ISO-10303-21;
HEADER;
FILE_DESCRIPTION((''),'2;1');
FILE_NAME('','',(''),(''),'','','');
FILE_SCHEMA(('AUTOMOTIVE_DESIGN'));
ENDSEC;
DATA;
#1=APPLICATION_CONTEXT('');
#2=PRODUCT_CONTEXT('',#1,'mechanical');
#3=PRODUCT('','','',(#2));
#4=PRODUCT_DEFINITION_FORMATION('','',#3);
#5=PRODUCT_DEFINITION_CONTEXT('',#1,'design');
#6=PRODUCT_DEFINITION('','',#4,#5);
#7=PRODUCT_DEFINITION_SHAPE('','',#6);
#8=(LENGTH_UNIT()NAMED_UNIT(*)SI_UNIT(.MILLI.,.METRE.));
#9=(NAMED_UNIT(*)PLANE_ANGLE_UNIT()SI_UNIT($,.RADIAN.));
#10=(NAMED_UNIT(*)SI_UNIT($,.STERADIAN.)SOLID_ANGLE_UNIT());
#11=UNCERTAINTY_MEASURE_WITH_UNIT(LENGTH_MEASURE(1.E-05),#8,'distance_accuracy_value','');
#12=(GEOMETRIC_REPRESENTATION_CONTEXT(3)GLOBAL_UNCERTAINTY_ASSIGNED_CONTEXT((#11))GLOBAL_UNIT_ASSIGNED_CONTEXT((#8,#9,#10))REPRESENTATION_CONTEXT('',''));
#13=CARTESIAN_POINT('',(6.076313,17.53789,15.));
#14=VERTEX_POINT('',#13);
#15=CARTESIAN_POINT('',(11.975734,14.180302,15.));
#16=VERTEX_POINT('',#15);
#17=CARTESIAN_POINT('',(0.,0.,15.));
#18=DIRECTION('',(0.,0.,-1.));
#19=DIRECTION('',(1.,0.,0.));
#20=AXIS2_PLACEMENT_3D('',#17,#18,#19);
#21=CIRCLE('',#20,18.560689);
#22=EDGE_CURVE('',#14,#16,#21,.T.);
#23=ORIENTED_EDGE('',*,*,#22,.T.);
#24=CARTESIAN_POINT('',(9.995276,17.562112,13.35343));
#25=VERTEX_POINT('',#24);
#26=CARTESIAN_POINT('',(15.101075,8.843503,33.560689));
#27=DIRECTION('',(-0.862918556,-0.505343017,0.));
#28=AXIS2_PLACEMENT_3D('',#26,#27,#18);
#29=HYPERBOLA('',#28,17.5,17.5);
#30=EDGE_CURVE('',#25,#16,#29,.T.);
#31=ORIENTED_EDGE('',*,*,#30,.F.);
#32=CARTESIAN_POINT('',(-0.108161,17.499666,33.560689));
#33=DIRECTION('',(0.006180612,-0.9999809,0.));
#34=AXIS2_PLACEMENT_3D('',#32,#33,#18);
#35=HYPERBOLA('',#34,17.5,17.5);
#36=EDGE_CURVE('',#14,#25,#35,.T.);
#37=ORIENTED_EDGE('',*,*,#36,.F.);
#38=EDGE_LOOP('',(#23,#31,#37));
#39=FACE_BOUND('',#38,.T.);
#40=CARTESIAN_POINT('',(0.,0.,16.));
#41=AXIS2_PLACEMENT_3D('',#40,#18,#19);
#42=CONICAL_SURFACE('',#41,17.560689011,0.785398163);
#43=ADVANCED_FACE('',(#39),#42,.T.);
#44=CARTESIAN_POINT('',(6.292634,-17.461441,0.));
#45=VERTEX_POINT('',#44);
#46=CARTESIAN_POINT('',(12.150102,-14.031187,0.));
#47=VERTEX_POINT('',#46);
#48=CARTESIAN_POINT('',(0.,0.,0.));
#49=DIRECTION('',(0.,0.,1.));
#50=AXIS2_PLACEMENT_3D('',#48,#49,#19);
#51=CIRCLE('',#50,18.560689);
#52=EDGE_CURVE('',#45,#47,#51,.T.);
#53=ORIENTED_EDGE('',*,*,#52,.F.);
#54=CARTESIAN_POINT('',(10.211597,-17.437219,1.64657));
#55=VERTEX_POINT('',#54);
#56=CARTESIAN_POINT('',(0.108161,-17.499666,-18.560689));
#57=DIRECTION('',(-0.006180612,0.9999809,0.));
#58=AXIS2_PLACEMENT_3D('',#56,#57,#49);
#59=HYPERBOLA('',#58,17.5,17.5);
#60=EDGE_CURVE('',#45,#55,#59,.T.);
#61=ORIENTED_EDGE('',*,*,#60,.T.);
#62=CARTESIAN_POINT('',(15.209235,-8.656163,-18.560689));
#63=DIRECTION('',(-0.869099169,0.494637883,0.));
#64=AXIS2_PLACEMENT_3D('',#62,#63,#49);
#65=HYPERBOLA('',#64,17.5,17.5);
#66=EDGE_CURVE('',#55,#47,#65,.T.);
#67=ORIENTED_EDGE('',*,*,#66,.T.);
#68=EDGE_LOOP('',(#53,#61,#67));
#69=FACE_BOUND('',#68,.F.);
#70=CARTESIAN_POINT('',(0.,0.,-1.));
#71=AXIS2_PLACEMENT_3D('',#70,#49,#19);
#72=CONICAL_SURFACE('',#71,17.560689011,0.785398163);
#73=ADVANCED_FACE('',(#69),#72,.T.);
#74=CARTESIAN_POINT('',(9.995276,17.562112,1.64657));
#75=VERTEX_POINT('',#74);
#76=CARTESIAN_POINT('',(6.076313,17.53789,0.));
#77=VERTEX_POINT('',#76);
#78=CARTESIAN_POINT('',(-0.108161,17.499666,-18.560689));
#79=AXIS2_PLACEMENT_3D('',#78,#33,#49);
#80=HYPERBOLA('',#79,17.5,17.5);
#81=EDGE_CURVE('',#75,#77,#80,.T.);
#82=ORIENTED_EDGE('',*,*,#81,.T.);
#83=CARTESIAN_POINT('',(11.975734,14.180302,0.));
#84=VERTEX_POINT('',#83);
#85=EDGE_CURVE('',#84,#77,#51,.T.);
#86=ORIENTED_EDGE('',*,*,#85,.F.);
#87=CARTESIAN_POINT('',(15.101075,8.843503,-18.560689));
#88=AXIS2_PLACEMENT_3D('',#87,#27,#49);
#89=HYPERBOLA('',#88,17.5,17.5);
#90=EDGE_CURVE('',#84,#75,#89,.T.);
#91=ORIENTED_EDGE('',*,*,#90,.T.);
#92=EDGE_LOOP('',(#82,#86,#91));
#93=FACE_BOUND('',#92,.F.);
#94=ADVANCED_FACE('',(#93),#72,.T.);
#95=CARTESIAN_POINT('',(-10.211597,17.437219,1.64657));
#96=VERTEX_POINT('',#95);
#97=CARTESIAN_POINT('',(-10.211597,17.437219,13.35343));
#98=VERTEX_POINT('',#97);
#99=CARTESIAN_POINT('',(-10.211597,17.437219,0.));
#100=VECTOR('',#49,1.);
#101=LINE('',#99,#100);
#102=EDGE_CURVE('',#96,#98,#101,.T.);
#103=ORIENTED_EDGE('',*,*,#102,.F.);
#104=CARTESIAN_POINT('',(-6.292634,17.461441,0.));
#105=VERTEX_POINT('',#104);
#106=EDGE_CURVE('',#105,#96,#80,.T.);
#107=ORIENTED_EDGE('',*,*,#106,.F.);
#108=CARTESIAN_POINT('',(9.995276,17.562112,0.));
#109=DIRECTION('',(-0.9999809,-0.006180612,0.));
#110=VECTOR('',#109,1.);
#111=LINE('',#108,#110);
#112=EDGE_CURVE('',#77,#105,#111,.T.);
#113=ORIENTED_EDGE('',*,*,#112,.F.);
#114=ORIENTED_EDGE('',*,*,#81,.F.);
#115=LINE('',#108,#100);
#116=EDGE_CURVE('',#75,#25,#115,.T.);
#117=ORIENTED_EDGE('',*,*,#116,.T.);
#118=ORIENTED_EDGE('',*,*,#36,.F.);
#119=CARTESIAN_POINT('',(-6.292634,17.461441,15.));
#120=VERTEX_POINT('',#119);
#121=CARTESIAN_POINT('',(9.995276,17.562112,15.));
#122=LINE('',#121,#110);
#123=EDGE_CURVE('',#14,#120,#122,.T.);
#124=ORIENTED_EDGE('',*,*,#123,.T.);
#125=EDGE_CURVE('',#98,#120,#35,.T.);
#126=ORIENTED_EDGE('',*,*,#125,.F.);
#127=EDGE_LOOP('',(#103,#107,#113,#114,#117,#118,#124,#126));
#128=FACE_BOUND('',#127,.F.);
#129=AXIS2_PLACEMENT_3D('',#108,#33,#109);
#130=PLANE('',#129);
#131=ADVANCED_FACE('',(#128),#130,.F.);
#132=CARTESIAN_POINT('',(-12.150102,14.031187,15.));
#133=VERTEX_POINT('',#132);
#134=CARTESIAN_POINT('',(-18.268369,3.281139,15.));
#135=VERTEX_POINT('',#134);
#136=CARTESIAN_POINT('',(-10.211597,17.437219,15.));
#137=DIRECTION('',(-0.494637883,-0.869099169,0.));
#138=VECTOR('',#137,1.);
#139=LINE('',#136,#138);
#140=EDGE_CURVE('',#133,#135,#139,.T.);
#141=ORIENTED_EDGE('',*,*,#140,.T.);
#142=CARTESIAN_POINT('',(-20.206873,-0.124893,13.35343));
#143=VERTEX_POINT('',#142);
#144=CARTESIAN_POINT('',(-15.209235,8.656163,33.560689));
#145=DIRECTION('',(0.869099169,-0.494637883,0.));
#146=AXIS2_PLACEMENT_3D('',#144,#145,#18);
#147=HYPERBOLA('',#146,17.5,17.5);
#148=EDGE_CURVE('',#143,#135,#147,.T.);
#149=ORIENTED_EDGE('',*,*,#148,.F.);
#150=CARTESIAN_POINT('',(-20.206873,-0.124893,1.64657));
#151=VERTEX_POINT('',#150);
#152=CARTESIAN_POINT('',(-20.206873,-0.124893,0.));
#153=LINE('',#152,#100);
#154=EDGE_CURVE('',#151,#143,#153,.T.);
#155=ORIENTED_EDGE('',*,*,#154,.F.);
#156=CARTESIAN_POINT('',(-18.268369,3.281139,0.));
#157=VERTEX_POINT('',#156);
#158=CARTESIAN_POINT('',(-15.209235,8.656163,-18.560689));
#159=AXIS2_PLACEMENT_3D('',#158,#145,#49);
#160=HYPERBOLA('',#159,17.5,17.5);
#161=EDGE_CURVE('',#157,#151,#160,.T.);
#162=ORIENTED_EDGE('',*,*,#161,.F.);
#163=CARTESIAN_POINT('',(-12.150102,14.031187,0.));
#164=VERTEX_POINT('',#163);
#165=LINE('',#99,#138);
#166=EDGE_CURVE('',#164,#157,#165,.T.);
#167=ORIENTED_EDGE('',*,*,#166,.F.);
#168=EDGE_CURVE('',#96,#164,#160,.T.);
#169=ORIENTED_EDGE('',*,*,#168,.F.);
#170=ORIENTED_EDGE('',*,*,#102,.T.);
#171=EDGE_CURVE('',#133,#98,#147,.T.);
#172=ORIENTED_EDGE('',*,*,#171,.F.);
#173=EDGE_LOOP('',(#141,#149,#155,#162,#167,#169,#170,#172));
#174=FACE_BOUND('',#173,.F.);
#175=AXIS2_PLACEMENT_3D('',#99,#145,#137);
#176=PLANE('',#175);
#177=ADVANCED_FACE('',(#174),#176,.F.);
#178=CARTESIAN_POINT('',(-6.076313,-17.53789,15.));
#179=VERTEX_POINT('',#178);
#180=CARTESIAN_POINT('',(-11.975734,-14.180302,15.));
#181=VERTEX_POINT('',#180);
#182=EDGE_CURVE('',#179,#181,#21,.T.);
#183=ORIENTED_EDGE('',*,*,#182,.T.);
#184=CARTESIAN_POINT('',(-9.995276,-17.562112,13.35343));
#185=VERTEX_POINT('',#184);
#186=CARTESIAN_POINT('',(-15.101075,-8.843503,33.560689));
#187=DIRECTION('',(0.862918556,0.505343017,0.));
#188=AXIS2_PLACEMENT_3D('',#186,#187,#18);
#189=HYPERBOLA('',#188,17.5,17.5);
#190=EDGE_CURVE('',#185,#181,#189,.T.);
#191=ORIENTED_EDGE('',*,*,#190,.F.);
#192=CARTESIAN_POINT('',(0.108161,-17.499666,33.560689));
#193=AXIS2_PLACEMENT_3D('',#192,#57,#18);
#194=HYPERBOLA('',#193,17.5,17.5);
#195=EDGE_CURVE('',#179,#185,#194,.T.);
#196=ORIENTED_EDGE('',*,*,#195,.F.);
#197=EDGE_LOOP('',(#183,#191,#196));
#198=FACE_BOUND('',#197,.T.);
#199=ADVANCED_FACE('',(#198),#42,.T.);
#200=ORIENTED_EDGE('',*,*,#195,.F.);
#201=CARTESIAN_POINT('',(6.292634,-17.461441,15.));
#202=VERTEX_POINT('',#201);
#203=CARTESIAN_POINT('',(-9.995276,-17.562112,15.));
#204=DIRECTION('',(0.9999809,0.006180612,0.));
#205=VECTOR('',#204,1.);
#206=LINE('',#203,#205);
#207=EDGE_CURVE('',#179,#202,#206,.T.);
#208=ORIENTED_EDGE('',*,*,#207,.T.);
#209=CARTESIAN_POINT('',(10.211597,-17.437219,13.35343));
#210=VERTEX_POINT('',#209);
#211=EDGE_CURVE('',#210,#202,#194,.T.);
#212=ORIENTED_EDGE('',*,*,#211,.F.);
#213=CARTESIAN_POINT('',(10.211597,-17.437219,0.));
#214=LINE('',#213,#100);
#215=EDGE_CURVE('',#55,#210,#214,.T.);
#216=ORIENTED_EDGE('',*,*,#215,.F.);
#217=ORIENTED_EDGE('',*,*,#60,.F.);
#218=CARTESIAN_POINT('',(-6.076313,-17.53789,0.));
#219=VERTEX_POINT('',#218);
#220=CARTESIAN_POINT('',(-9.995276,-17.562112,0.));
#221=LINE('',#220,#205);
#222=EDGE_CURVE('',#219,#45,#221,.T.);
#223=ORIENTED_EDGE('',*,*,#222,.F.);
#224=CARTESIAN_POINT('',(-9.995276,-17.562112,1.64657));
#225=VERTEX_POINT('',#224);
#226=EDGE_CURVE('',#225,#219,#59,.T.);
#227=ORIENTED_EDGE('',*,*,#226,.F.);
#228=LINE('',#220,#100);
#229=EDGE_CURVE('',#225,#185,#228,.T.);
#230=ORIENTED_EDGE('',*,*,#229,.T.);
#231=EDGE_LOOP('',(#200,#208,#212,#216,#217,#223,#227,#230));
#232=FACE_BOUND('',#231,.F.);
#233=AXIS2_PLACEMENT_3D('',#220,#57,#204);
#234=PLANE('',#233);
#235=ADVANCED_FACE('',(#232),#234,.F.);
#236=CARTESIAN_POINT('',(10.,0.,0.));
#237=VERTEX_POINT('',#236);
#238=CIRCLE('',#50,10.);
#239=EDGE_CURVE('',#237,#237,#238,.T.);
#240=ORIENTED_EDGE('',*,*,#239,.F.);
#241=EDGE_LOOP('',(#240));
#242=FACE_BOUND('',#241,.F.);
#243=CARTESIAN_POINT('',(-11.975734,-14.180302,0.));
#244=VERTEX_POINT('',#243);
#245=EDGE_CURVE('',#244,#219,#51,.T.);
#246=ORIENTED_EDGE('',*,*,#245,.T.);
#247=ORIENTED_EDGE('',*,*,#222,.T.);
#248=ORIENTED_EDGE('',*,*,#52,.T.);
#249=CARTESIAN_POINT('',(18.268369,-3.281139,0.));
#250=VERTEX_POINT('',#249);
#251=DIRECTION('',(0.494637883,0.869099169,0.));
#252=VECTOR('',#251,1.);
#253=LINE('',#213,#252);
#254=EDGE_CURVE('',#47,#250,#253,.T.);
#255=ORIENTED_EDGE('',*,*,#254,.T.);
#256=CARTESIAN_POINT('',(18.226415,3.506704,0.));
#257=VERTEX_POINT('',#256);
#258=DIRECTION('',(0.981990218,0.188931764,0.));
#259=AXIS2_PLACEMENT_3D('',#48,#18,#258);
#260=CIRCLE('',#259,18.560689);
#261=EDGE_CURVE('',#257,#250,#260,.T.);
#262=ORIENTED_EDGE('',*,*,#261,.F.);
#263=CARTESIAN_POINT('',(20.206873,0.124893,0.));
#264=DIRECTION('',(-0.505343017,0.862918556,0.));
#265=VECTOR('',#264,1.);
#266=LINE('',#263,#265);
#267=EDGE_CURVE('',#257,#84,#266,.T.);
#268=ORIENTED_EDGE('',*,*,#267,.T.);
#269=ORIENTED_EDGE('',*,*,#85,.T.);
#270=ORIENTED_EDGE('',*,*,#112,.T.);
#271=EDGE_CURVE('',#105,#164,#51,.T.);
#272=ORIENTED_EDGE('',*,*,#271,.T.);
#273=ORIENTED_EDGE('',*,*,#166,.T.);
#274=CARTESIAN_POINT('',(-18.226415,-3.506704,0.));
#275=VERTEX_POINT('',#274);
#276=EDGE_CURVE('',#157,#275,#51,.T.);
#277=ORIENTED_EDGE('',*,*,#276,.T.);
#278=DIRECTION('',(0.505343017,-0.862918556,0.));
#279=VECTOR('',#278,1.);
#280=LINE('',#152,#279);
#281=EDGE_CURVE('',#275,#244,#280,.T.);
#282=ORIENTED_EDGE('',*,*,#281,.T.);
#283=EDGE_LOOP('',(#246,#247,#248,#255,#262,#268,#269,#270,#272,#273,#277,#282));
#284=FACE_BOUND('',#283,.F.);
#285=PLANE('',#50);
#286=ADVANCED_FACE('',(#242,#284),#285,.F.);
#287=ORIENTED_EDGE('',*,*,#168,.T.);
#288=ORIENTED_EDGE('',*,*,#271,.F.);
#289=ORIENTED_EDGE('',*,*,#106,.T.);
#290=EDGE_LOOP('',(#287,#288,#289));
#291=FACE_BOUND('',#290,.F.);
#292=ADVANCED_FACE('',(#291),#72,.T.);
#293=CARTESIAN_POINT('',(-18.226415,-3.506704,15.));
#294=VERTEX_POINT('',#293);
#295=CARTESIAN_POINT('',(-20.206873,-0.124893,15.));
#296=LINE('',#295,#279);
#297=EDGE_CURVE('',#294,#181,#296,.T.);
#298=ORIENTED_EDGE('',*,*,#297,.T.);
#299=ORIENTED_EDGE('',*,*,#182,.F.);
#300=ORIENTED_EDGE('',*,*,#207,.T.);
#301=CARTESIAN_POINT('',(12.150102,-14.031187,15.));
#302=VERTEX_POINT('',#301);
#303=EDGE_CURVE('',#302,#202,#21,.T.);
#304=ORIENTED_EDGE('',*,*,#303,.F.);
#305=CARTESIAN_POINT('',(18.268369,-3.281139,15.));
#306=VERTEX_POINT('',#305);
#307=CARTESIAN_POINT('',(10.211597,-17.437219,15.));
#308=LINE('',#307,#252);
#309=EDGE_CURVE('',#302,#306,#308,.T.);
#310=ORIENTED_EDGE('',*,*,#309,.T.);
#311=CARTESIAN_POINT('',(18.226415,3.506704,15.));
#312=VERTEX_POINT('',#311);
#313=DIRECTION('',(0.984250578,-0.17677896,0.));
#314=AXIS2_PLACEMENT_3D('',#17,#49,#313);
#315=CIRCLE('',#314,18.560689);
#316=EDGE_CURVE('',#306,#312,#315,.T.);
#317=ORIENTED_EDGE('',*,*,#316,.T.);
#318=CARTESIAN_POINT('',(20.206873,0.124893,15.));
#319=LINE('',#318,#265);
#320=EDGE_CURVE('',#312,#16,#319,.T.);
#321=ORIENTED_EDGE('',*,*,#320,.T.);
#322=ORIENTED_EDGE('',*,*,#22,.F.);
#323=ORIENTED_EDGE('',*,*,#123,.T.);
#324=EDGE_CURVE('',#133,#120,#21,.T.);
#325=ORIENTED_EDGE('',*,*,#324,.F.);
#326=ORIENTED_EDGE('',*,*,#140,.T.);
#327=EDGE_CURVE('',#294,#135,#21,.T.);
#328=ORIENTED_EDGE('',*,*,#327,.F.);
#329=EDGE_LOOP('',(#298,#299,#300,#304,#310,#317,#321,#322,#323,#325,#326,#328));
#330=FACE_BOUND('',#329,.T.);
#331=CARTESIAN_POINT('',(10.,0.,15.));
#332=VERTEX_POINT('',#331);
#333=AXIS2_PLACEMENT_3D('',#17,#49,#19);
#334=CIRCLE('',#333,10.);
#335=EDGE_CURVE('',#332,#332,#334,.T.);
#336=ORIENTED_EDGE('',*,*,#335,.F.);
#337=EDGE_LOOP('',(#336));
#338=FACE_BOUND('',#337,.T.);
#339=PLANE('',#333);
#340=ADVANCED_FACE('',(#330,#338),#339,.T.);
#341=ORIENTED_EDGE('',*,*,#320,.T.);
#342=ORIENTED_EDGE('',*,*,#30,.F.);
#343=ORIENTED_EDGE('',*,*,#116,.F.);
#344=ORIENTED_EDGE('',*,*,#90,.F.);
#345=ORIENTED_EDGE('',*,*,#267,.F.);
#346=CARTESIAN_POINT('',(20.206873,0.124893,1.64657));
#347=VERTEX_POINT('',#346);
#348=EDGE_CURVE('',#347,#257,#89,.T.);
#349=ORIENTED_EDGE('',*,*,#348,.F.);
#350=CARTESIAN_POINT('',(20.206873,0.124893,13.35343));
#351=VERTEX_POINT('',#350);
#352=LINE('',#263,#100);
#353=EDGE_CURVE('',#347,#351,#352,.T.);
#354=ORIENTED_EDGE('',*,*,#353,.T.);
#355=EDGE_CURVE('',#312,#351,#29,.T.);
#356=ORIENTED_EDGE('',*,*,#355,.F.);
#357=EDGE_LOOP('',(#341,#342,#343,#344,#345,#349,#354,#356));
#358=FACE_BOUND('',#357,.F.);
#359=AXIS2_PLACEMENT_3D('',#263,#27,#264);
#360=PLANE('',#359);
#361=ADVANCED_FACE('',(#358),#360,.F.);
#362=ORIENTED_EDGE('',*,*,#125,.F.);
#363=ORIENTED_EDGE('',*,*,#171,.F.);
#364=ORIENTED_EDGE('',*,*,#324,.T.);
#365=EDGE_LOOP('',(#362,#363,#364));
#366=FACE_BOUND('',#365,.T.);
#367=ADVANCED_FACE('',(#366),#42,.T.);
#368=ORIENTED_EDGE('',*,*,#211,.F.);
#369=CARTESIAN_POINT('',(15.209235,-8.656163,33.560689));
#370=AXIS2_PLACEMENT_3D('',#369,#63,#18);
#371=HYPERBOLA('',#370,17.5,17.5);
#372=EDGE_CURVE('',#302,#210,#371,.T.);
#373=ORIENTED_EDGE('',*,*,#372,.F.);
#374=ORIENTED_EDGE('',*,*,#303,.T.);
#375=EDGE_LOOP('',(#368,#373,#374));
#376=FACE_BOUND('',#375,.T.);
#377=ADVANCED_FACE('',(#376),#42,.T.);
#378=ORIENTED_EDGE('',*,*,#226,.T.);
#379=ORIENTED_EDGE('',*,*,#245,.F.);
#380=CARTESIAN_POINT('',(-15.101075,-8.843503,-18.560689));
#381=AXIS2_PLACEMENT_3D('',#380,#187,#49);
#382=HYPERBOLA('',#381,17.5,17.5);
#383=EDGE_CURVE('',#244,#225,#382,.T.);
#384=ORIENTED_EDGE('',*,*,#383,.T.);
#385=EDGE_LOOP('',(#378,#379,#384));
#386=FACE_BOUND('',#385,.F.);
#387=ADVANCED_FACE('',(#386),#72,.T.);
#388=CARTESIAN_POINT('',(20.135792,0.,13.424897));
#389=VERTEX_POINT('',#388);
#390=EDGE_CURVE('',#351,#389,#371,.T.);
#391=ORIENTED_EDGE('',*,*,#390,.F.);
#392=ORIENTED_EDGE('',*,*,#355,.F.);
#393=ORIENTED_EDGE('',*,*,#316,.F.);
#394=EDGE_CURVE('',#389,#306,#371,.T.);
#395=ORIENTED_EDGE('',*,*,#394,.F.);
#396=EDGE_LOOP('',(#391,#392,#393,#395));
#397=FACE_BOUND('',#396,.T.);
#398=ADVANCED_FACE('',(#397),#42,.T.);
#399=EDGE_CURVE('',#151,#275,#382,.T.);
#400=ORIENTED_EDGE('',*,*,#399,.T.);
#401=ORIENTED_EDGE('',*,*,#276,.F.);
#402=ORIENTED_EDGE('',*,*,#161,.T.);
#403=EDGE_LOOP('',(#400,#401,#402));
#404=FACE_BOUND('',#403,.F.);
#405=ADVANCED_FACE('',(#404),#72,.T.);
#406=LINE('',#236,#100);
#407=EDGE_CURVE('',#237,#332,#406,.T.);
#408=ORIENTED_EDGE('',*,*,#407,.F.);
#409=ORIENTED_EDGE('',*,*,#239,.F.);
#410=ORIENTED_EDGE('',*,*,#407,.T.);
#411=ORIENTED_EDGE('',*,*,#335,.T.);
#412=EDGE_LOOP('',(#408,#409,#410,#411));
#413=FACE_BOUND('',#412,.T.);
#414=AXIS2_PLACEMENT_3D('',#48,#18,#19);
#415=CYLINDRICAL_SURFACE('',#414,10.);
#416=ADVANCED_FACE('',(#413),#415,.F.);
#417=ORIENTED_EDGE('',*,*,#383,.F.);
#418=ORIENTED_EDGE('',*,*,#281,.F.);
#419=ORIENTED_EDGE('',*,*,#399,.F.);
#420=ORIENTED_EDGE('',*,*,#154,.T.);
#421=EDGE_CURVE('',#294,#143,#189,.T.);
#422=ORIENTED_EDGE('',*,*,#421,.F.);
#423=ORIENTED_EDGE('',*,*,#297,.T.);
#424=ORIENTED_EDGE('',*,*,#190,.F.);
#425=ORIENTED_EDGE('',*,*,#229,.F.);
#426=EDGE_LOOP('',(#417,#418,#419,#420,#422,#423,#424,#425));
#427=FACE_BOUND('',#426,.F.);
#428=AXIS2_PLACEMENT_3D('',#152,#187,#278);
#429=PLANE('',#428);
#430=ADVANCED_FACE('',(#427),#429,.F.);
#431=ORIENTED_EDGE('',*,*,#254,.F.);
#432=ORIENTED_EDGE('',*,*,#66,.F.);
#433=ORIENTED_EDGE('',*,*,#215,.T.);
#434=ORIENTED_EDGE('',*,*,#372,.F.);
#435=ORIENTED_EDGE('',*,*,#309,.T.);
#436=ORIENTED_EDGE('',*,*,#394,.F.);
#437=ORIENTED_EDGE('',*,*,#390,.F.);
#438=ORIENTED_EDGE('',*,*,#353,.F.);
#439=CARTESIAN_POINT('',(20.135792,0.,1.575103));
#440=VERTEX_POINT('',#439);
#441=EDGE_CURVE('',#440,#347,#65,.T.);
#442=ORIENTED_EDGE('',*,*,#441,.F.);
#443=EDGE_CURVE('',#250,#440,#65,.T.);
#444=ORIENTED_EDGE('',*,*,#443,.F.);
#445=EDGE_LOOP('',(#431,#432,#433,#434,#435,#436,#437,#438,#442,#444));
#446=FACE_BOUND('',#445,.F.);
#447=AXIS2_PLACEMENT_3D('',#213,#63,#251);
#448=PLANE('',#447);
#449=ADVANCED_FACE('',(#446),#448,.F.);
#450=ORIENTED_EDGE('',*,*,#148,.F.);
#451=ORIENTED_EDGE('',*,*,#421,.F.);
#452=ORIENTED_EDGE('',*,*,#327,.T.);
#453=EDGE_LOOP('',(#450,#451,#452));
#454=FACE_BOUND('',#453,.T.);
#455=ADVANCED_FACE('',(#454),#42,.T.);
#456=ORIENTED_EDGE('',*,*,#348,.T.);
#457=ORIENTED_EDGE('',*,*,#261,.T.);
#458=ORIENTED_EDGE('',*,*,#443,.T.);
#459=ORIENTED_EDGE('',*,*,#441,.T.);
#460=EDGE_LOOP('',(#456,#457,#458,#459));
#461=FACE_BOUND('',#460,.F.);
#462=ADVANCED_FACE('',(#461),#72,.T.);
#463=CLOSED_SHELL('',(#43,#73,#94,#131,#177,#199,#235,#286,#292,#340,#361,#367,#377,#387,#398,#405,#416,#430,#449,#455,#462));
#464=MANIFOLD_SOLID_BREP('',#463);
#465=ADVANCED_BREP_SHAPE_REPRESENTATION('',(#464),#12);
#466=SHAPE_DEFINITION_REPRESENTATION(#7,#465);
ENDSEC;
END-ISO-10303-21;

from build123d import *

# Parameters (mm, degrees)
SKETCH1_R           = 10
BOSS_EXTRUDE1_DEPTH = 15


with BuildPart() as part:
    # Sketch1 → Boss-Extrude1 (new body)
    with BuildSketch(Plane.XY):
        Polygon((9.995276011, 17.562112367), (-10.211597448, 17.437219127), (-20.20687346, -0.12489324), (-9.995276011, -17.562112367), (10.211597448, -17.437219127), (20.20687346, 0.12489324), align=None)
        Circle(SKETCH1_R, mode=Mode.SUBTRACT)
    extrude(amount=BOSS_EXTRUDE1_DEPTH)

    # Sketch2 → Cut-Revolve1 (revolve, cut)
    with BuildSketch(Plane(origin=(0, 0, 0), x_dir=(1, 0, 0), z_dir=(0, 1, 0))):
        Polygon((17.560689011, 1), (21.20687346, -2.646184449), (21.20687346, 1), align=None)
        Polygon((21.20687346, -16), (17.560689011, -16), (21.20687346, -12.353815551), align=None)
    revolve(axis=Axis((0, 0, 0), (0, 0, -1)), mode=Mode.SUBTRACT)


solid = part.part
